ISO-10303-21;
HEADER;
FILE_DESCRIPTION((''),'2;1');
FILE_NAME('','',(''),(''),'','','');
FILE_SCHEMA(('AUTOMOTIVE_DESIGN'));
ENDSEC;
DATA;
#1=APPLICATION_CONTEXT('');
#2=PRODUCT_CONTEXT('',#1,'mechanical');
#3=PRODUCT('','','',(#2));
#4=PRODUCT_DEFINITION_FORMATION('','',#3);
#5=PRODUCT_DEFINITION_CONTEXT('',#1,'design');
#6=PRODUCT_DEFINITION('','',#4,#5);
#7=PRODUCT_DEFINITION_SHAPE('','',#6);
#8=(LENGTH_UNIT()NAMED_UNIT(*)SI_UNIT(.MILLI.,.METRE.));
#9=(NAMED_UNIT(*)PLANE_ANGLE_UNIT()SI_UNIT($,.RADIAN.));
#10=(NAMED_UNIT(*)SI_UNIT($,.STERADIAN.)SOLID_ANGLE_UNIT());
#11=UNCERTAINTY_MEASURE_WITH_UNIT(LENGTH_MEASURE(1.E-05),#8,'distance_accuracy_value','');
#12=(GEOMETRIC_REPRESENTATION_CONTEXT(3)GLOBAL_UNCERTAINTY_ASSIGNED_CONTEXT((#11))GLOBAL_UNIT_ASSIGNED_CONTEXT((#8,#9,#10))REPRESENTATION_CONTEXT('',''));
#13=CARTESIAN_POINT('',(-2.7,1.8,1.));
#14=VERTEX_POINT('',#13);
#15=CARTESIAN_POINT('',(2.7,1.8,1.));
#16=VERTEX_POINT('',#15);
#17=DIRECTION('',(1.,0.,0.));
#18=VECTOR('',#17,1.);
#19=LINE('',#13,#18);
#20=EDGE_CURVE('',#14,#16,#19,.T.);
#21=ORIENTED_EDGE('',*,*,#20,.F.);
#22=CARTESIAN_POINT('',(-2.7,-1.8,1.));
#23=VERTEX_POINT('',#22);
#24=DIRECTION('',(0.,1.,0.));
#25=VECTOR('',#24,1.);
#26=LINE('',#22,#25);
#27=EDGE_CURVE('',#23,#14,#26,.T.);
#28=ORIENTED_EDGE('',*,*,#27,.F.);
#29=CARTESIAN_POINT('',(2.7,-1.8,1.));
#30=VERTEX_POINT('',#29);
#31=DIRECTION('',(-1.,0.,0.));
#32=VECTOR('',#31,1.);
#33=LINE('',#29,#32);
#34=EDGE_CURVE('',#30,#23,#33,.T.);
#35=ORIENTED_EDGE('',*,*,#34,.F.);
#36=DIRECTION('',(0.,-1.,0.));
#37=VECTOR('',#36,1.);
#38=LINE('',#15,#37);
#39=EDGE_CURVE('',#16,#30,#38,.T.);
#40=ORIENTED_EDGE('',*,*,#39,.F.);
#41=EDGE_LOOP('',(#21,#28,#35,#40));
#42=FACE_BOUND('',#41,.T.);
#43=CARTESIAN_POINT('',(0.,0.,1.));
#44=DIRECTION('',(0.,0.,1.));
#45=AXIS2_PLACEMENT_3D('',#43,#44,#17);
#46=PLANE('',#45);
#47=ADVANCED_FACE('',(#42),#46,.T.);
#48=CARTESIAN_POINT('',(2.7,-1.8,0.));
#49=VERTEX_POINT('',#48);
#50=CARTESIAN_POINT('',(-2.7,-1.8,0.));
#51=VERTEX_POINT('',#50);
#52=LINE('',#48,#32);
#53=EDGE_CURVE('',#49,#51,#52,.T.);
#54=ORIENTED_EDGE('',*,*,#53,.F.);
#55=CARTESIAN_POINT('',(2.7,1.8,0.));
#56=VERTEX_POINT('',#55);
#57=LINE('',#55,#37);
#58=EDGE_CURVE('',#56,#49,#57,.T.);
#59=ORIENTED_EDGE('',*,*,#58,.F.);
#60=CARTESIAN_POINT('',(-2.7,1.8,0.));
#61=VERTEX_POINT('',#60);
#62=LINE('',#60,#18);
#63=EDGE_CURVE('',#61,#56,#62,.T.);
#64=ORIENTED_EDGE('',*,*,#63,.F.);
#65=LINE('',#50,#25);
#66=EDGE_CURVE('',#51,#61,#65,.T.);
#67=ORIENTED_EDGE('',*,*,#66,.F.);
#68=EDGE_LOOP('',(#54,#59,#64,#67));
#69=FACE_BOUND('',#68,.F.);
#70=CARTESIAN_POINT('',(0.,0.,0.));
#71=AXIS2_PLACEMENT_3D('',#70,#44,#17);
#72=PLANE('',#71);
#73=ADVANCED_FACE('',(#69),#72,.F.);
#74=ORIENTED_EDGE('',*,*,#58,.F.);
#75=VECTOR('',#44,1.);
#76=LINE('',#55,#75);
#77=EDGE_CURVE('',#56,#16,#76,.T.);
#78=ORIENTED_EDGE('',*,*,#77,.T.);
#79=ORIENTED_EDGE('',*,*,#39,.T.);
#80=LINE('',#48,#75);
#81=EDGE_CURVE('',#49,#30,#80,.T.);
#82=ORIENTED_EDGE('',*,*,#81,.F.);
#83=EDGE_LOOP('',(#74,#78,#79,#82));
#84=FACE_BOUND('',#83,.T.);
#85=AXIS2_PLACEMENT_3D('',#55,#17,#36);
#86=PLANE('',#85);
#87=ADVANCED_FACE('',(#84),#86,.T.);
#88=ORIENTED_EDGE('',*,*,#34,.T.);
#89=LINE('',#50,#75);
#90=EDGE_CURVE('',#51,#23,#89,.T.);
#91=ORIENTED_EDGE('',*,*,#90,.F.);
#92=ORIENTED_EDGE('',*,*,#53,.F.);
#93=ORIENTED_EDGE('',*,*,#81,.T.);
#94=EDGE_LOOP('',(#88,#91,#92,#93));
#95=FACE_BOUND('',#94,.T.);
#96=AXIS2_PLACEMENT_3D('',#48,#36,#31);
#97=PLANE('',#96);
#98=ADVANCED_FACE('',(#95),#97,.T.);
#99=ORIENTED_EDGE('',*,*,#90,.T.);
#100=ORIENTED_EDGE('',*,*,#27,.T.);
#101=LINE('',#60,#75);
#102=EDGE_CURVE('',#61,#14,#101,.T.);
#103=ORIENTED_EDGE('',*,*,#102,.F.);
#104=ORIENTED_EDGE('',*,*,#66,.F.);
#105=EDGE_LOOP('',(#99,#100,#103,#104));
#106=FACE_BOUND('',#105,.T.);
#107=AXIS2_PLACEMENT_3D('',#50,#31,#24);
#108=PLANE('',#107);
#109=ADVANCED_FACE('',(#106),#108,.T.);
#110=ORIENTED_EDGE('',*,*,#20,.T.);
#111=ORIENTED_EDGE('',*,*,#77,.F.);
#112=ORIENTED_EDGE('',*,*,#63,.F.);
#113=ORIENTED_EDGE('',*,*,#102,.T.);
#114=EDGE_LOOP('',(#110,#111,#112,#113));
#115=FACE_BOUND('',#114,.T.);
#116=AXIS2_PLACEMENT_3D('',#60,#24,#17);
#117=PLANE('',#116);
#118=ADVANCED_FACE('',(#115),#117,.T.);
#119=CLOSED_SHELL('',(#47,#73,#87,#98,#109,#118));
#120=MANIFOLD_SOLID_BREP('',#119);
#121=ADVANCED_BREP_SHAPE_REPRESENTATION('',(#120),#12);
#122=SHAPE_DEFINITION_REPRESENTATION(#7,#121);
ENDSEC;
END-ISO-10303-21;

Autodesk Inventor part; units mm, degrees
ref_plane "YZ Plane" through (0, 0, 0) normal (1, 0, 0) x (0, 1, 0)
ref_plane "XZ Plane" through (0, 0, 0) normal (0, 1, 0) x (-1, 0, 0)
ref_plane "XY Plane" through (0, 0, 0) normal (0, 0, 1) x (1, 0, 0)
sketch "2-SMD-5X3, NX5032GA_37" plane through (0, 0, 0) normal (0, 0, 1) x (1, 0, 0)
  line L0 (-2.7, 1.8) -> (2.7, 1.8)
  line L1 (2.7, 1.8) -> (2.7, -1.8)
  line L2 (2.7, -1.8) -> (-2.7, -1.8)
  line L3 (-2.7, -1.8) -> (-2.7, 1.8)
extrude "Extrusion1" add sketch "2-SMD-5X3, NX5032GA_37" along normal blind 1
properties part number "NX5032GA"
